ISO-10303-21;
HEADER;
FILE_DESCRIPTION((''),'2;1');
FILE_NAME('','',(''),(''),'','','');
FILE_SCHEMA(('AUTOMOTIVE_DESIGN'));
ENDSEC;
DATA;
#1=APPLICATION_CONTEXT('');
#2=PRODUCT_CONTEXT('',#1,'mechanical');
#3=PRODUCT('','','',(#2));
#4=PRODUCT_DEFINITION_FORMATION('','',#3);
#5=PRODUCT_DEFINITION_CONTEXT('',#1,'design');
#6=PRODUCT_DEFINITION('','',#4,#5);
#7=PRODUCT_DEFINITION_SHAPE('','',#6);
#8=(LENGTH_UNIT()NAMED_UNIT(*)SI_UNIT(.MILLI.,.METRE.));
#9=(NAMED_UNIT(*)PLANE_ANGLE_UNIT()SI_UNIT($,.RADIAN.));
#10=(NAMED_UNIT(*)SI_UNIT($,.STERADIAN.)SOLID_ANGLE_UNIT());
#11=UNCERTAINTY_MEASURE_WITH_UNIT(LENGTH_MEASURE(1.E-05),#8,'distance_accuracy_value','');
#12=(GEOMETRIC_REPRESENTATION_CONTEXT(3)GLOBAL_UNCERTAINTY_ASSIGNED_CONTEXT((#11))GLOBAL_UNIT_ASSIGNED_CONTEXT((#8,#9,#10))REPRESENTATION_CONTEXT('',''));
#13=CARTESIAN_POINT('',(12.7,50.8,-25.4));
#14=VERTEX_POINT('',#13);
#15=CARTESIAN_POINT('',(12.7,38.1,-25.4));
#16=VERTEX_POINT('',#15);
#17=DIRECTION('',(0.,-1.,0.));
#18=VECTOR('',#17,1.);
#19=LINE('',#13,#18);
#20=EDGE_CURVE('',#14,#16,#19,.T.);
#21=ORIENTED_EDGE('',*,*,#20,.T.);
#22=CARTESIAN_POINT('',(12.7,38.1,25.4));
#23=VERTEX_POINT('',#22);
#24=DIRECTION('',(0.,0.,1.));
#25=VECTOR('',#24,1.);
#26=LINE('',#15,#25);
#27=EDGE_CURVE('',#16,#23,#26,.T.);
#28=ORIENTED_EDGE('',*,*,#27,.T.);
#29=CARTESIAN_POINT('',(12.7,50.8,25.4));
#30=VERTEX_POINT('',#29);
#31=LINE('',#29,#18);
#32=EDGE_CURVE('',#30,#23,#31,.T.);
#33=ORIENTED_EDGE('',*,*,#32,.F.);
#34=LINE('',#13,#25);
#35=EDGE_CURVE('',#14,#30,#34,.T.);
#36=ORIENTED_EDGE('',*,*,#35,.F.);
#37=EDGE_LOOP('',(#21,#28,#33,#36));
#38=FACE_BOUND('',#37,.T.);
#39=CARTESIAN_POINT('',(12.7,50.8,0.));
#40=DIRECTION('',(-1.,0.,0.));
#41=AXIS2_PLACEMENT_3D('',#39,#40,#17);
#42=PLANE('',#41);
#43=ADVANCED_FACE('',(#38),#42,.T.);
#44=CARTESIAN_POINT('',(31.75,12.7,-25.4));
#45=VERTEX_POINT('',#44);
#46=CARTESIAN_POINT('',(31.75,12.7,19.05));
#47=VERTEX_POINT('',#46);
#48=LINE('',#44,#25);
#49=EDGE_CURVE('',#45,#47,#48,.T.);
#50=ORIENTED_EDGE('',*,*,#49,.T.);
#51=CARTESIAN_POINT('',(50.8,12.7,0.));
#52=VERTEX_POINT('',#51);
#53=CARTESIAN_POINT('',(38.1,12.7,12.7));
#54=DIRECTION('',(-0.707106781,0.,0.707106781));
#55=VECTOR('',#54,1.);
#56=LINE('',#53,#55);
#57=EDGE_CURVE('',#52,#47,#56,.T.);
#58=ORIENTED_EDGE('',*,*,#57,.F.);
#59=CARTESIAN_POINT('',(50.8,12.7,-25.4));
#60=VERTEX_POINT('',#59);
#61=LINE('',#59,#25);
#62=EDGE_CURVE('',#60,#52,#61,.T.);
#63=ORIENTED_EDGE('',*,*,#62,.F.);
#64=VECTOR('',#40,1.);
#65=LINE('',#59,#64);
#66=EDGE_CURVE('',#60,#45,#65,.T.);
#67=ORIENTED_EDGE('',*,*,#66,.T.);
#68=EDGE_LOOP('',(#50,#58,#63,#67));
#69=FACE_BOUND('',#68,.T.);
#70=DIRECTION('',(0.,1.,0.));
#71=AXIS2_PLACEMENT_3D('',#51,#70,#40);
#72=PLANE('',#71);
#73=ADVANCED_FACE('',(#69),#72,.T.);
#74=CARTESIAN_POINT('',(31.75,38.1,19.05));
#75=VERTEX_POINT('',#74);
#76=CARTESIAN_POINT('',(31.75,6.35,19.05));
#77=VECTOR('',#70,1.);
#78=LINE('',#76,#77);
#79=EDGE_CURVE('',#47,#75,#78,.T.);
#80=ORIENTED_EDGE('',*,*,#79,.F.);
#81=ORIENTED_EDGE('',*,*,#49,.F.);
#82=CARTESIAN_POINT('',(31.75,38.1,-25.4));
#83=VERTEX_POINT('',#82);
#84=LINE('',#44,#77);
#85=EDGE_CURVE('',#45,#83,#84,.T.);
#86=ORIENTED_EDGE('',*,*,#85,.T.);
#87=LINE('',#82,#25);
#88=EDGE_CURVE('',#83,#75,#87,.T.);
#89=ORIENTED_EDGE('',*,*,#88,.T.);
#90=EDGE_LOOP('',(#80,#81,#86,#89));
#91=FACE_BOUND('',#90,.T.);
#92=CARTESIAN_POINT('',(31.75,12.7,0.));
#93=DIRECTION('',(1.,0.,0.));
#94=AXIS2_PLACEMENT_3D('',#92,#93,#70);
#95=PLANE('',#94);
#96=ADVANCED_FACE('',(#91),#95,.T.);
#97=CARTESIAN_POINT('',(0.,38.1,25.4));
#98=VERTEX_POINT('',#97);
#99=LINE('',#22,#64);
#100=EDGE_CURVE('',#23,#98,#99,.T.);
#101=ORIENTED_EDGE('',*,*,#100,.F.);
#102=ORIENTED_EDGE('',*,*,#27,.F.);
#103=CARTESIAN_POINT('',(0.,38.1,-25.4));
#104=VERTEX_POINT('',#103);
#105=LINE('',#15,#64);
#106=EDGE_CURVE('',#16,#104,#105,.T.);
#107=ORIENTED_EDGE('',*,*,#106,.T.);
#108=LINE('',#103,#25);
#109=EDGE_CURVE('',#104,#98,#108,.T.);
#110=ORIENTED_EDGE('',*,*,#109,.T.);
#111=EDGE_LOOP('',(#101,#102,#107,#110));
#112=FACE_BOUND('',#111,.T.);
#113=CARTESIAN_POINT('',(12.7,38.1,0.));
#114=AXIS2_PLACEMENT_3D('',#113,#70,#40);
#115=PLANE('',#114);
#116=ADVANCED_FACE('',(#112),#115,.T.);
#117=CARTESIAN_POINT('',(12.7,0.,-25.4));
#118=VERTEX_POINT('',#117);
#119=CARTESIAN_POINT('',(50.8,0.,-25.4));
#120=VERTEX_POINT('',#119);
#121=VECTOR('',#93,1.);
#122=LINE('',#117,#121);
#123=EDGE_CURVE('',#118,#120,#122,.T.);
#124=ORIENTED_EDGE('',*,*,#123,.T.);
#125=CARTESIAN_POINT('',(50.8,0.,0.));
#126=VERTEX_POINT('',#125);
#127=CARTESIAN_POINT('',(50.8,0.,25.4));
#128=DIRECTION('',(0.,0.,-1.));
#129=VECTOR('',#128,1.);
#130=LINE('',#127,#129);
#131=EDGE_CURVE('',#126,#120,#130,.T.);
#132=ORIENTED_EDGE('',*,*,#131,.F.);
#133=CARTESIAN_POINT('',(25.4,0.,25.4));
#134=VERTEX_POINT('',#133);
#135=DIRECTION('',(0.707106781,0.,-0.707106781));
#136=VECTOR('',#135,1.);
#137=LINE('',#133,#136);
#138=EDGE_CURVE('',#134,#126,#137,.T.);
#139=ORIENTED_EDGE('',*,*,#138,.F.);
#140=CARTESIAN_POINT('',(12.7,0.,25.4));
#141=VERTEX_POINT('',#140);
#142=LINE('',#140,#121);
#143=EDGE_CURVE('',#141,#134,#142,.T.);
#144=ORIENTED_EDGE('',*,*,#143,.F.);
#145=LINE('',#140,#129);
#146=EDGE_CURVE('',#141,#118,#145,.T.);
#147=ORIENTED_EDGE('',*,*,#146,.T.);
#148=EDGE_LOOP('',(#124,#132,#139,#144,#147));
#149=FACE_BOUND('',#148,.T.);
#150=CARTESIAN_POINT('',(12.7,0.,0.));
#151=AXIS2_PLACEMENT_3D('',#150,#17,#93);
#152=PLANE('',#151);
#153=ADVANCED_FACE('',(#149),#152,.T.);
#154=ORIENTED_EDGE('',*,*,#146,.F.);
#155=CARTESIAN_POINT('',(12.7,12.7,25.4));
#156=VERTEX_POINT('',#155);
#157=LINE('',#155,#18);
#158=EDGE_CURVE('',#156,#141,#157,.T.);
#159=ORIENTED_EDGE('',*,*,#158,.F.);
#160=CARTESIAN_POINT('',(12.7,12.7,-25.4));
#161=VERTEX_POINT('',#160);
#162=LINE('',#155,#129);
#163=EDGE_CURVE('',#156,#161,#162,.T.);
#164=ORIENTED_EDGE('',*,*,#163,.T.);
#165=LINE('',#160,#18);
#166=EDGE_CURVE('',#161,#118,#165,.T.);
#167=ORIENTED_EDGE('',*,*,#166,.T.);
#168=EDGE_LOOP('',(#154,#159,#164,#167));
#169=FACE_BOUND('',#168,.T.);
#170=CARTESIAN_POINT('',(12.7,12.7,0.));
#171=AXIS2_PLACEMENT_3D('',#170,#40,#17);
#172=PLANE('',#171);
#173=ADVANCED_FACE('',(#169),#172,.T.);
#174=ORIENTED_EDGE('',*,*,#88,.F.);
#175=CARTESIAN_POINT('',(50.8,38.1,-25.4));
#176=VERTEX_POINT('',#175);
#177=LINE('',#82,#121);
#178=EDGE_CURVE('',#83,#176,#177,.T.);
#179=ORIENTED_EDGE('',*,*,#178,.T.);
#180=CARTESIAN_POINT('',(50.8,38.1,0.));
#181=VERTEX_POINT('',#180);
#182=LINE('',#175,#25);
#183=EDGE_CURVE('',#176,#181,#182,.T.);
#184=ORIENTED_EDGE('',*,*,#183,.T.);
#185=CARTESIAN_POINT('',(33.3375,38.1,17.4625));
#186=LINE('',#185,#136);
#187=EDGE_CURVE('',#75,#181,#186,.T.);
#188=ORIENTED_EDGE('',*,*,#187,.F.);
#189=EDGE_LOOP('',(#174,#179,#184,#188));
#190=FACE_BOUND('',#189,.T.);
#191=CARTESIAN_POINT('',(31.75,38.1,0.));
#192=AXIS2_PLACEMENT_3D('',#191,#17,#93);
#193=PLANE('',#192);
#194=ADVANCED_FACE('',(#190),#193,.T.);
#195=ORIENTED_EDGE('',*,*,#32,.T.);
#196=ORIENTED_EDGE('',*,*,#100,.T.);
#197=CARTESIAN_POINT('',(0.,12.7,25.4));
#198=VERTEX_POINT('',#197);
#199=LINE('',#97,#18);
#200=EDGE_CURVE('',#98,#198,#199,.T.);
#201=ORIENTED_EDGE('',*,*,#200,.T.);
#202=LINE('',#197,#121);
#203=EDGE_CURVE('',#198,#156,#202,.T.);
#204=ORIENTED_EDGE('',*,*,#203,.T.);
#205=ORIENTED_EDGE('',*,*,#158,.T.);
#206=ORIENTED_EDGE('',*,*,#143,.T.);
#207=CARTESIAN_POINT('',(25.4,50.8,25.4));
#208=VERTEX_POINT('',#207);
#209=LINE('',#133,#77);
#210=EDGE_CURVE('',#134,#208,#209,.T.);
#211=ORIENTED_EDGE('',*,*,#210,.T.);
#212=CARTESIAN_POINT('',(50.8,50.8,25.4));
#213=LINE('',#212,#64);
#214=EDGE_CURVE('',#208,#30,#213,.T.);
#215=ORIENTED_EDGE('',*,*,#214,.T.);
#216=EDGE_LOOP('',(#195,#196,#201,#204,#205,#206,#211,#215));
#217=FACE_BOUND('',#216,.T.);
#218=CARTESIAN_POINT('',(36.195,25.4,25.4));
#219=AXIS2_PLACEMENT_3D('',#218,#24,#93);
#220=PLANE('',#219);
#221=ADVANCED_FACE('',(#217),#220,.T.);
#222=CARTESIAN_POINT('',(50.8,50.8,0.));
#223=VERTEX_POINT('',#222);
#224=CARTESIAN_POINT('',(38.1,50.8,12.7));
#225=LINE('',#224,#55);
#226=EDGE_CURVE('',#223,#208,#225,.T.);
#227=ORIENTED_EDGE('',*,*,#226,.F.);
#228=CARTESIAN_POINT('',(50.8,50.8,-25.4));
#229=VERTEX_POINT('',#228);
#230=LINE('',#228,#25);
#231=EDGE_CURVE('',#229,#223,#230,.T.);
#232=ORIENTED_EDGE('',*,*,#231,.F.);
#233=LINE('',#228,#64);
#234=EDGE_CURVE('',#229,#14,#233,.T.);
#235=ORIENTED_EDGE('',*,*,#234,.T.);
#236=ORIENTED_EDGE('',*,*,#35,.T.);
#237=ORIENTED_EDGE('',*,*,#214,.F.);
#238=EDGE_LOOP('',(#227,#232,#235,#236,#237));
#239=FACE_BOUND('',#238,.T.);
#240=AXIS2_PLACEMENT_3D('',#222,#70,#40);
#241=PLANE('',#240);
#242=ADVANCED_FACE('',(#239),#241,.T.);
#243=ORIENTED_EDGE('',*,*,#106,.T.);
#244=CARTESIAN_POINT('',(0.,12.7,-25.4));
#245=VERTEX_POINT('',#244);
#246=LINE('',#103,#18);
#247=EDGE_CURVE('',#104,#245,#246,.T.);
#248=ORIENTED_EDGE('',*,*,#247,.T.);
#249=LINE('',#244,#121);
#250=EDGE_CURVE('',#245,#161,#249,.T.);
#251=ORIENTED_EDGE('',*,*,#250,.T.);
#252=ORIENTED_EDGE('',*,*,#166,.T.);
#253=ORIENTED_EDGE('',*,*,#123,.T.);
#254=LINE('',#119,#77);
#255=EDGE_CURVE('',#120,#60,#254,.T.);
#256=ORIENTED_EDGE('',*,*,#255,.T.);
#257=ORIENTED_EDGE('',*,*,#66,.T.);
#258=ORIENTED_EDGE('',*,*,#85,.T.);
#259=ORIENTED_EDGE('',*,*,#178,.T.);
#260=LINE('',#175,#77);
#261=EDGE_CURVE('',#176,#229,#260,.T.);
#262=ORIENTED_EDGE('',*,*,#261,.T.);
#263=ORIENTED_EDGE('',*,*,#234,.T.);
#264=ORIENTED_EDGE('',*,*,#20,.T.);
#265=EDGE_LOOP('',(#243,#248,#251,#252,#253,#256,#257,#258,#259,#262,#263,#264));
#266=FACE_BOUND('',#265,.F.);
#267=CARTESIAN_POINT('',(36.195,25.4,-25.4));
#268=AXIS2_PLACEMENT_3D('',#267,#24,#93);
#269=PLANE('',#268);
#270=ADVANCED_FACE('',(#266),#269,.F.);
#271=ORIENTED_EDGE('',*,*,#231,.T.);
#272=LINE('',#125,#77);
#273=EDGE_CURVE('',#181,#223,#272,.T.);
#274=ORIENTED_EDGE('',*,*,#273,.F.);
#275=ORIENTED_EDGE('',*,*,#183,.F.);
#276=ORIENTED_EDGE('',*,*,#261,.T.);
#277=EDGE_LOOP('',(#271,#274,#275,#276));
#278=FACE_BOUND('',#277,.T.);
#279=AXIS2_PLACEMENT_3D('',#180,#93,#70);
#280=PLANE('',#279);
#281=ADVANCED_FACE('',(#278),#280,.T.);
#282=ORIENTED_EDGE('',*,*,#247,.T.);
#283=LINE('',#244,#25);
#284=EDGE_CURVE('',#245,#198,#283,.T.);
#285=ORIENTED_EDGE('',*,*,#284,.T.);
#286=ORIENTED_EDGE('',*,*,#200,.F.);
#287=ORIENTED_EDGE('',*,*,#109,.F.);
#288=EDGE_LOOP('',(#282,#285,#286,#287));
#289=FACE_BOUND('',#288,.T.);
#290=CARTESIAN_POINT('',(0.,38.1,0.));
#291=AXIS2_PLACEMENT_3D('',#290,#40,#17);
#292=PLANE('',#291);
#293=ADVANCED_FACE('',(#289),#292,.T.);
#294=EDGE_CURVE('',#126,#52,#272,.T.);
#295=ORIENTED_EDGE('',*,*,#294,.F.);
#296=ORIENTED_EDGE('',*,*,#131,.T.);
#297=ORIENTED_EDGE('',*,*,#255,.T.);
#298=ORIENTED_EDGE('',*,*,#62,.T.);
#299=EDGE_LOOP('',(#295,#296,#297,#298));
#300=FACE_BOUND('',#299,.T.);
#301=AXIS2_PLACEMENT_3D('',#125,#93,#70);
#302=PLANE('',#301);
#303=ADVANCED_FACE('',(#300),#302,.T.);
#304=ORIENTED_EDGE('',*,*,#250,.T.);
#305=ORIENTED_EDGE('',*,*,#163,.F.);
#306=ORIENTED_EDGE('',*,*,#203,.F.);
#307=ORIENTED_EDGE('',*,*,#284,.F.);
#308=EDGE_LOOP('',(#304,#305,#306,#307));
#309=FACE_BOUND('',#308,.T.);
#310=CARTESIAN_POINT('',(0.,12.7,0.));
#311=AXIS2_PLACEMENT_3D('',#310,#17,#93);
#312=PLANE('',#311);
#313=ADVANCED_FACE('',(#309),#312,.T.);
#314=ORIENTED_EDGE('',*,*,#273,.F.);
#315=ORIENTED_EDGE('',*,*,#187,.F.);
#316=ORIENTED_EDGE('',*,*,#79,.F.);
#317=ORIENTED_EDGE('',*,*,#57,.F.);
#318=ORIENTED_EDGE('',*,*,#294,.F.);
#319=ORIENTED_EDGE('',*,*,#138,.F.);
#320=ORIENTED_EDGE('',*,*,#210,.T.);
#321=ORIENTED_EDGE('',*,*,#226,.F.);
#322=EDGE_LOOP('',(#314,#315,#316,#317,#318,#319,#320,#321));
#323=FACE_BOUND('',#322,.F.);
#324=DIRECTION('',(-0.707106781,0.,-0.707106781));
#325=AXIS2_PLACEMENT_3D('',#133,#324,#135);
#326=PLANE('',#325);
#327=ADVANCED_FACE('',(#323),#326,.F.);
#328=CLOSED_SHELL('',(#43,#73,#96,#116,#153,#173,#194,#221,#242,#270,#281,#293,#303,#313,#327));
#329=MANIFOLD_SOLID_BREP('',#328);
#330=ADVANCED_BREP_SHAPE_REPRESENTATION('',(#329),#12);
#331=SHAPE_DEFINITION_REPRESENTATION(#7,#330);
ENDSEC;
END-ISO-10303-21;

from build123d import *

# Parameters (mm, degrees)
F1_DEPTH = 25.4
F3_DEPTH = 50.801


with BuildPart() as f1:
    # F0 (on Top) → F1 (new body, symmetric)
    with BuildSketch(Plane.XY):
        Polygon((25.4, 50.8), (25.4, 0), (50.8, 0), (50.8, 12.7), (31.75, 12.7), (31.75, 38.1), (50.8, 38.1), (50.8, 50.8), align=None)
        Polygon((12.7, 12.7), (12.7, 0), (25.4, 0), (25.4, 50.8), (12.7, 50.8), (12.7, 38.1), (0, 38.1), (0, 12.7), align=None)
    extrude(amount=F1_DEPTH, both=True)

    # F2 (on face) → F3 (cut, through all)
    with BuildSketch(Plane.XZ):
        Polygon((25.4, 25.4), (50.8, 0), (50.8, 25.4), align=None)
    extrude(amount=-F3_DEPTH, mode=Mode.SUBTRACT)


solid = f1.part
